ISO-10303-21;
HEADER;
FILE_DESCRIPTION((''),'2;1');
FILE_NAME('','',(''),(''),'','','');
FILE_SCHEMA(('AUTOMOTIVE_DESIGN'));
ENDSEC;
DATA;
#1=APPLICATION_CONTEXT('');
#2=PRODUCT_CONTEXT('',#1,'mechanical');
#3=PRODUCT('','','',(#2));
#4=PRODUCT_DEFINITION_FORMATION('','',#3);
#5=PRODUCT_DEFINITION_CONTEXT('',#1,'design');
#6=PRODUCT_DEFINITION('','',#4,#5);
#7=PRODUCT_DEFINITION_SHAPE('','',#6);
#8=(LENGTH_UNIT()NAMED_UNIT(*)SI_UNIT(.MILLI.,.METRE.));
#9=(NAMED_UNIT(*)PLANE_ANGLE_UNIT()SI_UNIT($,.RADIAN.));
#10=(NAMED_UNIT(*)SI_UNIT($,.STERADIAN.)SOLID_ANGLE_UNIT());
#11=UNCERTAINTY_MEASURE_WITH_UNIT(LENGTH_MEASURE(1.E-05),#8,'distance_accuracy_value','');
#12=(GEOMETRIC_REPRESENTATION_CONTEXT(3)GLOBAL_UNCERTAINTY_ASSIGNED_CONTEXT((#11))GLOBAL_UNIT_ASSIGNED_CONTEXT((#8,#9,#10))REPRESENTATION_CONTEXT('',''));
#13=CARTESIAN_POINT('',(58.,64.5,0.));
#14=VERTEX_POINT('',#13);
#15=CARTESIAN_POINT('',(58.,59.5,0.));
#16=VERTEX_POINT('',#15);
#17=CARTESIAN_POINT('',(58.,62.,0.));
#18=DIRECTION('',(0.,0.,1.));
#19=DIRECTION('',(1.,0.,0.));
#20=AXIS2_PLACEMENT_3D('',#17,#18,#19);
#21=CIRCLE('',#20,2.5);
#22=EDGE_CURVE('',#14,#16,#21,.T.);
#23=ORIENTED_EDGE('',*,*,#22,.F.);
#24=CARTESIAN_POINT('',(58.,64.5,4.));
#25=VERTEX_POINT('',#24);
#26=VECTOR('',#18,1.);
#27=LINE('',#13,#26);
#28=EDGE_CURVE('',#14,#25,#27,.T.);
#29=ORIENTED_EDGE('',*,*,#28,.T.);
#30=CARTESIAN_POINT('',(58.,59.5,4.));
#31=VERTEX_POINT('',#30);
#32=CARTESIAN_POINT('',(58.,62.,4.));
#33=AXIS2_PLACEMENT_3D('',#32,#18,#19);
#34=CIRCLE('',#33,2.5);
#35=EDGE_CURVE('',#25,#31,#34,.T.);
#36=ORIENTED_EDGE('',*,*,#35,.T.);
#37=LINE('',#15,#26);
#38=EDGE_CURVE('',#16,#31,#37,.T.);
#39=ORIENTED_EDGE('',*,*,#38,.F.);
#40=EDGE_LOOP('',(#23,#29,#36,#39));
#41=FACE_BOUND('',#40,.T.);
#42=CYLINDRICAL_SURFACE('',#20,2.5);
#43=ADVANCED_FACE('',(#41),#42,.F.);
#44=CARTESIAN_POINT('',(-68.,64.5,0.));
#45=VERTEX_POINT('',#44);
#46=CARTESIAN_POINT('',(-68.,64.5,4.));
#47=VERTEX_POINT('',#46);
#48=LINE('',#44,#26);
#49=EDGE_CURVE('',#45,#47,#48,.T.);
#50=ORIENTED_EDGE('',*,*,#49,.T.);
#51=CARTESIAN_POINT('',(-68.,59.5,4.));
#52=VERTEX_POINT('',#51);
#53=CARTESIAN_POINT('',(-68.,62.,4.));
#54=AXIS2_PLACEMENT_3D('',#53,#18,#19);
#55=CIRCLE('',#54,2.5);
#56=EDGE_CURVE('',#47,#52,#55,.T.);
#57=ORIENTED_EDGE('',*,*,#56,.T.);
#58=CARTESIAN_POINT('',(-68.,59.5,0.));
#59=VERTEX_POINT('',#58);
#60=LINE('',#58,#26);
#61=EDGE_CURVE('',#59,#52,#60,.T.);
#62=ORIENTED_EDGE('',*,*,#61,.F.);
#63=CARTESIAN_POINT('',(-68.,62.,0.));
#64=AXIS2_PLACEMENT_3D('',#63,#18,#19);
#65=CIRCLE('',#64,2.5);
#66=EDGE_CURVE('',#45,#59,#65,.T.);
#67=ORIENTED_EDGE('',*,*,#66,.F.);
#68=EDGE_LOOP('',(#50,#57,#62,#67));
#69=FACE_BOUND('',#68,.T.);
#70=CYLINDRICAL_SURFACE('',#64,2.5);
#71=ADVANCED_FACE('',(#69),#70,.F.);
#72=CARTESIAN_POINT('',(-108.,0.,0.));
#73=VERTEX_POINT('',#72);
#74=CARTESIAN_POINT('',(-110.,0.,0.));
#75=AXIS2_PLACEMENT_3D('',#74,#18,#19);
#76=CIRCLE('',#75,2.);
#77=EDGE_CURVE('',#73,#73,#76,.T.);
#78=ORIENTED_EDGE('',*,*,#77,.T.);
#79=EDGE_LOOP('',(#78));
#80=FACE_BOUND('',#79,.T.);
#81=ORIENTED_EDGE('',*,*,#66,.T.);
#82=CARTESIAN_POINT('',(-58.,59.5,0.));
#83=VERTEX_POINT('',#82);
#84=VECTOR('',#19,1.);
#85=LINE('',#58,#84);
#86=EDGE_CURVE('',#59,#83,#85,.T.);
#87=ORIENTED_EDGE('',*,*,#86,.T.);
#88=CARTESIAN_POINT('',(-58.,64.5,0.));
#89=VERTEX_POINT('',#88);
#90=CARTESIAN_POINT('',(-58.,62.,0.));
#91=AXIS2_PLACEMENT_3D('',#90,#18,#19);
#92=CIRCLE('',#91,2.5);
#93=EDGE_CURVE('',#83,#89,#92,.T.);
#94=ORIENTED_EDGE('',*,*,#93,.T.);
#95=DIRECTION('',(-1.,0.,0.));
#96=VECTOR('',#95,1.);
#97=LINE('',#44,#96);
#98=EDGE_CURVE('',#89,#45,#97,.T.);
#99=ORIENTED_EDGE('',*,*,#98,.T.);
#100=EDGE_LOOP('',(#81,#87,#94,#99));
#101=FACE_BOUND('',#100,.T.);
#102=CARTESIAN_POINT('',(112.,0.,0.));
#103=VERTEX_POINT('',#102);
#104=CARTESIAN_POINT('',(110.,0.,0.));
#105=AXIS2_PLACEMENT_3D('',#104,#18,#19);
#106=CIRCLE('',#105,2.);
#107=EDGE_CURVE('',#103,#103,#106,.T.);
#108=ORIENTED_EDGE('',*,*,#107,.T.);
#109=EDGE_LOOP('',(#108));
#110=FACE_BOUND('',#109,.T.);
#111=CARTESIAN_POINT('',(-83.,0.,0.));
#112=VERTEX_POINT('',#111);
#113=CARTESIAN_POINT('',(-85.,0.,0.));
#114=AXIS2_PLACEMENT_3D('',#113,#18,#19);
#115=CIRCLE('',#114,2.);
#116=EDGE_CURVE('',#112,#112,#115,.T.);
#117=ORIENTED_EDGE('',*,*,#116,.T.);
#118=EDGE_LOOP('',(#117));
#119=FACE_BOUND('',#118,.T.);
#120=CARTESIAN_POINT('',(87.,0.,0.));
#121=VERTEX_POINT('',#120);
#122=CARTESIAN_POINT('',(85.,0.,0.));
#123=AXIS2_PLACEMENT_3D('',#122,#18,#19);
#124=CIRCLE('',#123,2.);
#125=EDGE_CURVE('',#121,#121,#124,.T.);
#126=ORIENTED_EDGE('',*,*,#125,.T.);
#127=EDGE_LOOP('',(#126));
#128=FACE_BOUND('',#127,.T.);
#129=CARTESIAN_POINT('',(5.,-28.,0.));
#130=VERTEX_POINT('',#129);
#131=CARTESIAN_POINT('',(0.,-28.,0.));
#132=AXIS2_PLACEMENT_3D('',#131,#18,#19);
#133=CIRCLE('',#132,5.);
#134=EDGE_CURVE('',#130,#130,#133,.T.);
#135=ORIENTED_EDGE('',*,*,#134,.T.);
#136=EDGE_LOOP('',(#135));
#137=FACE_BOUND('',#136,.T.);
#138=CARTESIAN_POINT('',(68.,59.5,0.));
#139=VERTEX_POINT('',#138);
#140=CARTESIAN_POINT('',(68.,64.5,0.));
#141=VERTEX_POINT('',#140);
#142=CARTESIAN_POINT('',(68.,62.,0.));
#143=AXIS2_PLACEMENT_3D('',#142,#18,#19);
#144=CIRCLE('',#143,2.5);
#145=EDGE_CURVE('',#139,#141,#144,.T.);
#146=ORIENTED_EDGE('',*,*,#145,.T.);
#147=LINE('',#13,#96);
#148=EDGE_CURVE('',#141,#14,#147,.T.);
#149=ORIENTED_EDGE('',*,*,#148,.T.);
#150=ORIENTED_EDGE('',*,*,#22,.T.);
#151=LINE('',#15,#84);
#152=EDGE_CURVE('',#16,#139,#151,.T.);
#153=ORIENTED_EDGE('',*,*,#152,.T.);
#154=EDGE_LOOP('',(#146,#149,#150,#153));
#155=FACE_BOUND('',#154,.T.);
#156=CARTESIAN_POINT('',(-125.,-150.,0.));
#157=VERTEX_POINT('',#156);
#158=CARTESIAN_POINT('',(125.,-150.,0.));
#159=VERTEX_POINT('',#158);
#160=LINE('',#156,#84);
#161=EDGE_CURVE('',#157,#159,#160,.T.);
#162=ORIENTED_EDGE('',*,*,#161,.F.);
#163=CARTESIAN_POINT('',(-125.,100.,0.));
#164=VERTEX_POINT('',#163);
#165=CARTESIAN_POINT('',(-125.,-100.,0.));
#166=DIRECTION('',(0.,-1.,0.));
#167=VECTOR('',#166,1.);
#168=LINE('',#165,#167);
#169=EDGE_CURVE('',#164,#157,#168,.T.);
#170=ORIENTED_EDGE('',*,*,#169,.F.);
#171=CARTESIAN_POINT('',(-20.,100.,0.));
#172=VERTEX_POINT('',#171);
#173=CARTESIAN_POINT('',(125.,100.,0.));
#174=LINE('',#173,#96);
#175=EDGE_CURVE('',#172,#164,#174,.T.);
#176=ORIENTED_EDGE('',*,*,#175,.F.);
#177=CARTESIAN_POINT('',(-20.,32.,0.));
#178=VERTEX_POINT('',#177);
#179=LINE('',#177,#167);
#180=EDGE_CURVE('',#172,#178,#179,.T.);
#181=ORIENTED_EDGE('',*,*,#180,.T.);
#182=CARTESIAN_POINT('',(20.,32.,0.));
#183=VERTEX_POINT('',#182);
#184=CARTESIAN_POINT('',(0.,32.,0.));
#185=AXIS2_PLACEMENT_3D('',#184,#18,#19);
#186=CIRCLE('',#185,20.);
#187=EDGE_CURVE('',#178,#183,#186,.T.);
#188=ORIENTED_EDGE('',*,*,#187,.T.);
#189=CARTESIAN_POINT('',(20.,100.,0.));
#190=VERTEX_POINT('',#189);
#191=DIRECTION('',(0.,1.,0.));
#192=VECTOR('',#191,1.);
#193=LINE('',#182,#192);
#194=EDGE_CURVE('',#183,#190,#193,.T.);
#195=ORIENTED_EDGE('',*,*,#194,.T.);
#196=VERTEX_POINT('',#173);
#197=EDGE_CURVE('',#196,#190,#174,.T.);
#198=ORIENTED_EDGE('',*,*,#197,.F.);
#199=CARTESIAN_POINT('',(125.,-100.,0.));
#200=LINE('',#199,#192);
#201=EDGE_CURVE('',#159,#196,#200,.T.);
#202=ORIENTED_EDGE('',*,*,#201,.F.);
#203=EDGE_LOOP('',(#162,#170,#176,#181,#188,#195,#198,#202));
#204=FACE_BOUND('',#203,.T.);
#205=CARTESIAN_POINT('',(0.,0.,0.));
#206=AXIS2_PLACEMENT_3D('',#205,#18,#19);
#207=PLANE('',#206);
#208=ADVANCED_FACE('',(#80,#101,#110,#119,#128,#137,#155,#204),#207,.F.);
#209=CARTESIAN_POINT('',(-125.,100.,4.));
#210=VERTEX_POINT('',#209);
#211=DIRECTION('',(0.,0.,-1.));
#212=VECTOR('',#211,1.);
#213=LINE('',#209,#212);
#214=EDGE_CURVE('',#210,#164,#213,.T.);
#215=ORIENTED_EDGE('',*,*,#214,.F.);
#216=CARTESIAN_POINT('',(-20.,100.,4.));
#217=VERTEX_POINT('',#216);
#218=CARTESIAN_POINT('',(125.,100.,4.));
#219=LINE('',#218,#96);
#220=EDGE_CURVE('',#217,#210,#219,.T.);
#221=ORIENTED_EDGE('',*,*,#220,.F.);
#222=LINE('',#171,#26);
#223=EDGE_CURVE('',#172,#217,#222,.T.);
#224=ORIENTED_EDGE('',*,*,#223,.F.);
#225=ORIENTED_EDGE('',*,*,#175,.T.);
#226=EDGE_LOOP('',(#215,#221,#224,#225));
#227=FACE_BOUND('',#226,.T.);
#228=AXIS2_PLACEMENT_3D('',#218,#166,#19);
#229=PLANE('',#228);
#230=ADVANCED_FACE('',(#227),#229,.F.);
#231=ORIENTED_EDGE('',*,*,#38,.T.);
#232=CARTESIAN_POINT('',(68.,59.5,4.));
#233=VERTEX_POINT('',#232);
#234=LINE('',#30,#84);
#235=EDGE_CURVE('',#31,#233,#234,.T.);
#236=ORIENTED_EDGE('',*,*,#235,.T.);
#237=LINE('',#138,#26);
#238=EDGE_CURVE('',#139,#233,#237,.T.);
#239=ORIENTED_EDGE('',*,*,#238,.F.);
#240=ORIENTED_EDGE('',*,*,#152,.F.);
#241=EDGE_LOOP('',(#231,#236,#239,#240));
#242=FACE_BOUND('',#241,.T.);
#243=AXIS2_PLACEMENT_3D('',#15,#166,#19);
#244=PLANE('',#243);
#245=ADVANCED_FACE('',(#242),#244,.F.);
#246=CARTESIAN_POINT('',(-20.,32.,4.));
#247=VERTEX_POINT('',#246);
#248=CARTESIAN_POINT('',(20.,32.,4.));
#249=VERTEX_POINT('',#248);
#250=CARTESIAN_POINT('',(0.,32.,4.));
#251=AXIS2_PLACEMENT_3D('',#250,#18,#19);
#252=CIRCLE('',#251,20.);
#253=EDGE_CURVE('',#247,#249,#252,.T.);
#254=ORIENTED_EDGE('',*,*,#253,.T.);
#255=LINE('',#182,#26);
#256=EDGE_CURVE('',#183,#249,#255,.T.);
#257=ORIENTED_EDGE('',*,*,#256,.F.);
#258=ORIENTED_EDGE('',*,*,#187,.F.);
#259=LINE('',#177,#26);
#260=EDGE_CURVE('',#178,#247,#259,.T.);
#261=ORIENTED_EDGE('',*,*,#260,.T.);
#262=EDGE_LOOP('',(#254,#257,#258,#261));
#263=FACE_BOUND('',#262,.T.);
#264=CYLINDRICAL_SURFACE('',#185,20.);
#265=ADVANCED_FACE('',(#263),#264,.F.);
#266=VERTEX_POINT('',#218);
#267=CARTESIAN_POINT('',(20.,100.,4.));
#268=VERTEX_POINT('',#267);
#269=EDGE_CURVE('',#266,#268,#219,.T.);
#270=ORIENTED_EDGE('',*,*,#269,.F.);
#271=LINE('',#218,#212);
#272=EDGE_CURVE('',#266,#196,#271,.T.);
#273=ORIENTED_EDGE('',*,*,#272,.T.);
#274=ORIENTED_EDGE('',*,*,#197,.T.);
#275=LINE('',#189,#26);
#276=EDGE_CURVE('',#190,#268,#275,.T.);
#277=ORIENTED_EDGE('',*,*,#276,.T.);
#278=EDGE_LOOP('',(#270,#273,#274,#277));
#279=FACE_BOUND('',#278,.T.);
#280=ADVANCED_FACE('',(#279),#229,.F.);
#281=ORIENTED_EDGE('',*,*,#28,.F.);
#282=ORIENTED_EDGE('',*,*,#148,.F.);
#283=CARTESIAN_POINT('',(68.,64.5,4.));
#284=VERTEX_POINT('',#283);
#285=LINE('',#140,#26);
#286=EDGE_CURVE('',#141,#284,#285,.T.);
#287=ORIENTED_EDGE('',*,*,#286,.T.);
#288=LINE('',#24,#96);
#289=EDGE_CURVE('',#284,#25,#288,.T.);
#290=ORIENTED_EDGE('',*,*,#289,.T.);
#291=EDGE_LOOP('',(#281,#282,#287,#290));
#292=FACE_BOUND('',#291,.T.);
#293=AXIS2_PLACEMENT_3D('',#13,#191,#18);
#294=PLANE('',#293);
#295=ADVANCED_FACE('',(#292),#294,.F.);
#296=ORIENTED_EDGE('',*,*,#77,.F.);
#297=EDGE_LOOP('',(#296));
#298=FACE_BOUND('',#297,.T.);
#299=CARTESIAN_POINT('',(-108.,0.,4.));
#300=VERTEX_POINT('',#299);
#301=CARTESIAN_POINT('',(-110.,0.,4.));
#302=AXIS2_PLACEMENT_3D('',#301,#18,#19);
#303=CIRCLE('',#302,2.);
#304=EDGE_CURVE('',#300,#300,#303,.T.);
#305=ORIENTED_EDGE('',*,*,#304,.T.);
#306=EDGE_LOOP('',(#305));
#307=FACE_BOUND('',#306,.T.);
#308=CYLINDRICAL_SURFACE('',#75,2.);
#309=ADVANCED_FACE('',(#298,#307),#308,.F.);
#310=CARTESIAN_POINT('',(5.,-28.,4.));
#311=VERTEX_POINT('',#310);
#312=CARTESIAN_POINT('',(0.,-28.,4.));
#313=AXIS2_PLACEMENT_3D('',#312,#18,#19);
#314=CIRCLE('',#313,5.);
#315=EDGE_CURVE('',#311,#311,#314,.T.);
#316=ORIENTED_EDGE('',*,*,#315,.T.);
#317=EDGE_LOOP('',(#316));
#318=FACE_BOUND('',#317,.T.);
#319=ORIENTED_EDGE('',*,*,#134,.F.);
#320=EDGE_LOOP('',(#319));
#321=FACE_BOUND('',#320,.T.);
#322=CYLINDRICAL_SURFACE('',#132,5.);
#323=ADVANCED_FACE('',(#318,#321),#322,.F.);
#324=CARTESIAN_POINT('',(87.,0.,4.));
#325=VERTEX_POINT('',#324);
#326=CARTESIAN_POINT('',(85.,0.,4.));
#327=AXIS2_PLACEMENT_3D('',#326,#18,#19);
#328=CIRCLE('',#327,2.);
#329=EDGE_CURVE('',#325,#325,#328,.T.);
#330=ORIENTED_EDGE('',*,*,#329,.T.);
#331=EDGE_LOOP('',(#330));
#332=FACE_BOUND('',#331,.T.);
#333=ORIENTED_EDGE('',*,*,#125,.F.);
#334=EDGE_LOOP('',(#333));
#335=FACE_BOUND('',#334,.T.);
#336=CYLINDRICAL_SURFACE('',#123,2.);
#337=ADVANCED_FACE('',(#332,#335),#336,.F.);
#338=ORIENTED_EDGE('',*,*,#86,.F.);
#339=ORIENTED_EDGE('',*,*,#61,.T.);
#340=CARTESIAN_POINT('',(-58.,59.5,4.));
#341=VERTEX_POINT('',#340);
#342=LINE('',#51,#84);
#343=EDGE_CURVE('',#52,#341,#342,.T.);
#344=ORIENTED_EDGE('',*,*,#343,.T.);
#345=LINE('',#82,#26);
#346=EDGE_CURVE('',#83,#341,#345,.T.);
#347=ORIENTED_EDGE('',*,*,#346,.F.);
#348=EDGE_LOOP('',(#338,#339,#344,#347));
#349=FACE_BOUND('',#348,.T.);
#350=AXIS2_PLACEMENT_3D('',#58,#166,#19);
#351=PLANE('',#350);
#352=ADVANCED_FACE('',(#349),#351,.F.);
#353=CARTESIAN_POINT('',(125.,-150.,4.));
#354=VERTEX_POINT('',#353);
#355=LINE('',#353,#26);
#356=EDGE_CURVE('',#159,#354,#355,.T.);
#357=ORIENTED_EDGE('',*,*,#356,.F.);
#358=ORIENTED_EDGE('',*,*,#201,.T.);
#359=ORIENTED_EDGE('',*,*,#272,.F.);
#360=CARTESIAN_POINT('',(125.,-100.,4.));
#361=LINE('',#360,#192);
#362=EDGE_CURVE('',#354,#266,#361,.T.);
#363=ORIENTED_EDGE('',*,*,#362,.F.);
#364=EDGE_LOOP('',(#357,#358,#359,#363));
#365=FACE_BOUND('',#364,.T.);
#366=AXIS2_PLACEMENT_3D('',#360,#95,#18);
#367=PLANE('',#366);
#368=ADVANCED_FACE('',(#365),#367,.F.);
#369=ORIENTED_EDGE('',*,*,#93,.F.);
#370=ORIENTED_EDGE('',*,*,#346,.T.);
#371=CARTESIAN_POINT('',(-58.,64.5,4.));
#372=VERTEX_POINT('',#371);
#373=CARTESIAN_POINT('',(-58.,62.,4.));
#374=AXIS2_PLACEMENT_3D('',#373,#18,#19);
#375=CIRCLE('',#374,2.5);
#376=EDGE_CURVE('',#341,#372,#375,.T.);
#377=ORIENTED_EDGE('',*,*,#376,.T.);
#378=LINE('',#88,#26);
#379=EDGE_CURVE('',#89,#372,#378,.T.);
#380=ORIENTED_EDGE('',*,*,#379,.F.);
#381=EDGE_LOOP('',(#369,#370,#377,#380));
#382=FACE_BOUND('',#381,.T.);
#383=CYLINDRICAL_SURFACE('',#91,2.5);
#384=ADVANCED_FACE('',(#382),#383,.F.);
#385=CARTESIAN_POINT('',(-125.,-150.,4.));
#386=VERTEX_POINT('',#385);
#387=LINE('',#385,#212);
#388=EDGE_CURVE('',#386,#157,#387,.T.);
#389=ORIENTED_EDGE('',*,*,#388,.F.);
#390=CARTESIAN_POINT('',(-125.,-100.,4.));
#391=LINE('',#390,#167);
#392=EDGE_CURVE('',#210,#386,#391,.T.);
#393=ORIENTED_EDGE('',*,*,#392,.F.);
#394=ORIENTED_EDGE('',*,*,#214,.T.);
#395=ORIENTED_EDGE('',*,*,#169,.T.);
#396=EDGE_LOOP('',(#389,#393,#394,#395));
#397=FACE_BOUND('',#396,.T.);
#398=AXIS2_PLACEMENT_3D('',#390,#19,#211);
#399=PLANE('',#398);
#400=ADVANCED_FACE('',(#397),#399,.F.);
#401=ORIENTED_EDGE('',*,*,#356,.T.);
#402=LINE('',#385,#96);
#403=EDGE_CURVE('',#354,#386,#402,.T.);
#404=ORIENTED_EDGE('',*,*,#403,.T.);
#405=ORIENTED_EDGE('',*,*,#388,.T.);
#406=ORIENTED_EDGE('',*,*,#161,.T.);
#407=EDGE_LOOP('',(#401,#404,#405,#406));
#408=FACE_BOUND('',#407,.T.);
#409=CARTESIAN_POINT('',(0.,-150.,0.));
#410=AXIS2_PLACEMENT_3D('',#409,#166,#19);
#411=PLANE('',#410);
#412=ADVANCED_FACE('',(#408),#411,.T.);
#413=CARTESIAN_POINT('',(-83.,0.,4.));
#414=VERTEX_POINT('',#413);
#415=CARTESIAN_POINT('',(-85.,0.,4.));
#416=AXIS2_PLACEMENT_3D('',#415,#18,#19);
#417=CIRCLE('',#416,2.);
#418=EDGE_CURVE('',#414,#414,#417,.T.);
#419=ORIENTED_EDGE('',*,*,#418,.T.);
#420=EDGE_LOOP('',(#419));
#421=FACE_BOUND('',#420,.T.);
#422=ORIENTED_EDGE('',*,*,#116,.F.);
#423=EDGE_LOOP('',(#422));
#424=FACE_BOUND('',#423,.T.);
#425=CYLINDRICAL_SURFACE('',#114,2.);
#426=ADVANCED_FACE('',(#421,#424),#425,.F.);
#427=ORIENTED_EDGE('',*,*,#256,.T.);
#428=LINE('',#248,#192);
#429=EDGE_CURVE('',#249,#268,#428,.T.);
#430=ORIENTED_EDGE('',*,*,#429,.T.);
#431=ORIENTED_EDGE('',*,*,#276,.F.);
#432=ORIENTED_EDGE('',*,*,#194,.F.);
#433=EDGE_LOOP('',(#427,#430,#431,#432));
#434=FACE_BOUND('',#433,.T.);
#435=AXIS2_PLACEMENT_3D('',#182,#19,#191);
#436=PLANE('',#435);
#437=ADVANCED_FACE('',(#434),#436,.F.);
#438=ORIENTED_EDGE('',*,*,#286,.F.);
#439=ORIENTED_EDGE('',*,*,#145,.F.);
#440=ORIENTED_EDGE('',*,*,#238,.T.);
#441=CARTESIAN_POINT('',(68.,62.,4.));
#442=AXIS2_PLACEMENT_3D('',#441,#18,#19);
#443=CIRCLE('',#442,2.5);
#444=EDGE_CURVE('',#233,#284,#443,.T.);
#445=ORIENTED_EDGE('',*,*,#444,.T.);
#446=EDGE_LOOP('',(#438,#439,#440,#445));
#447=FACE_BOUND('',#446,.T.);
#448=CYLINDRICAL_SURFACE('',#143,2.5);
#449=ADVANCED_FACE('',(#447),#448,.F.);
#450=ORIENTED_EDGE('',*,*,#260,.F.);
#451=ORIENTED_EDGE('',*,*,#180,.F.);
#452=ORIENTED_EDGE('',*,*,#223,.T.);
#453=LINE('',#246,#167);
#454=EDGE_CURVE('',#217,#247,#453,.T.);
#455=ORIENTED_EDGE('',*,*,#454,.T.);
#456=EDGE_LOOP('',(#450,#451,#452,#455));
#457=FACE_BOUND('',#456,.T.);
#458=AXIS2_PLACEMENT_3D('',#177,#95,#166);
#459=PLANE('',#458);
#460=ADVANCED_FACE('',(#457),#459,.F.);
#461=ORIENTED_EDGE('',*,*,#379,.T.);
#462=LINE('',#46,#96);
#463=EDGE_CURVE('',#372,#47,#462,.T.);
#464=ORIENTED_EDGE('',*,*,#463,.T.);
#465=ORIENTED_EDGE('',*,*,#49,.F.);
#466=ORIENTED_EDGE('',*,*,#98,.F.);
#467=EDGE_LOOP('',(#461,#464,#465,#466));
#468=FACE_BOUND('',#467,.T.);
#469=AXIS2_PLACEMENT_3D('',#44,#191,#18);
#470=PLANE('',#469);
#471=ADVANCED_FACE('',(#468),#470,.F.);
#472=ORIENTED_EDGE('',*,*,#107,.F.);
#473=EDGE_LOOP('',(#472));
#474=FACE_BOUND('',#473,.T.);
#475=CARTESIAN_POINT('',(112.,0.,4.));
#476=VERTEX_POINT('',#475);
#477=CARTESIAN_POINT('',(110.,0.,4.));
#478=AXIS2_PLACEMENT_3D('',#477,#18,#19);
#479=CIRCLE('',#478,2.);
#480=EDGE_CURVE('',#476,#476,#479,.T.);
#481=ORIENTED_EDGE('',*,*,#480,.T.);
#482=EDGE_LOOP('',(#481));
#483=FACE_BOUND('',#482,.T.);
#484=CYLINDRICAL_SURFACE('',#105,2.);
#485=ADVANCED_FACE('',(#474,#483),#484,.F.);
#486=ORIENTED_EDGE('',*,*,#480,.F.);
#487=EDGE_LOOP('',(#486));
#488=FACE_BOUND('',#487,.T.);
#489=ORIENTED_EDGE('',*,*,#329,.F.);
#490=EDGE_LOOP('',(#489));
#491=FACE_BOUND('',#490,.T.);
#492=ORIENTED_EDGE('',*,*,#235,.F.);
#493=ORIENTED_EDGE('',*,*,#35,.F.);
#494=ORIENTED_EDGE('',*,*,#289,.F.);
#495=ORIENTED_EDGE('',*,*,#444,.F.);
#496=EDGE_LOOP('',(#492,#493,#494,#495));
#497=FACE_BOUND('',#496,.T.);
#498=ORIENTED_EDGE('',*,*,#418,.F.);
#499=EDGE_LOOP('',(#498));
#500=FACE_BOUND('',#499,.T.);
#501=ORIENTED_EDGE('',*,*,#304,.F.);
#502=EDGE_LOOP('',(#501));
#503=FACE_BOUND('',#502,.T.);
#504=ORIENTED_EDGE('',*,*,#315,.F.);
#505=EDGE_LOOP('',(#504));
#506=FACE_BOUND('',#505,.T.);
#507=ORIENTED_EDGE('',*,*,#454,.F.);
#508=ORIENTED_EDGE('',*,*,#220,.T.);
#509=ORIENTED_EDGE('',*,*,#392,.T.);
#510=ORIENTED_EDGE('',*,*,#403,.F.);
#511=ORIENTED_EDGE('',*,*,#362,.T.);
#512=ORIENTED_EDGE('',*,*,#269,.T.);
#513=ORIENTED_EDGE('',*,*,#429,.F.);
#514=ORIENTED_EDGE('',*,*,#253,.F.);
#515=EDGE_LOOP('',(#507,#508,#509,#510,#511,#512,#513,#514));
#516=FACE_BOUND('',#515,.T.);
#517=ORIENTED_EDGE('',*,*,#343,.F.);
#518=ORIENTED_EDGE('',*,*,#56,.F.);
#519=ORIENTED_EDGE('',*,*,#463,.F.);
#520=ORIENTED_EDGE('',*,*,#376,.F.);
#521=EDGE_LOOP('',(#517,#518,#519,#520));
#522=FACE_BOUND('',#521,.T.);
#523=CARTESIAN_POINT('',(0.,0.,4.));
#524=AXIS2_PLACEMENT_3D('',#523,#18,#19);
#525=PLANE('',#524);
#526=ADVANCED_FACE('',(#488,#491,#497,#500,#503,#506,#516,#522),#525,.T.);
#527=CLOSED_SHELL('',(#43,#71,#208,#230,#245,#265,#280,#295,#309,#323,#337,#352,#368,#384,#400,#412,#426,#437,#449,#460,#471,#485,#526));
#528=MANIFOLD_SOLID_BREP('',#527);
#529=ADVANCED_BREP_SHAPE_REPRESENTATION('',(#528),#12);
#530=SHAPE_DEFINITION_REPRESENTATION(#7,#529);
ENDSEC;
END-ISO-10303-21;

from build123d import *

# Parameters (mm, degrees)
SKETCH1_W           = 250
SKETCH1_H           = 200
BOSS_EXTRUDE1_DEPTH = 4
SKETCH2_R           = 2
CUT_EXTRUDE1_DEPTH  = 4
SKETCH3_R           = 5
CUT_EXTRUDE2_DEPTH  = 4
SKETCH8_W           = 250
SKETCH8_H           = 4
BOSS_EXTRUDE2_DEPTH = 50


with BuildPart() as part:
    # Sketch1 → Boss-Extrude1 (new body)
    with BuildSketch(Plane.XY):
        Rectangle(SKETCH1_W, SKETCH1_H)
    extrude(amount=BOSS_EXTRUDE1_DEPTH)

    # Sketch2 → Cut-Extrude1 (cut)
    with BuildSketch(Plane.XY.offset(4)):
        with Locations((-110, 0)):
            Circle(SKETCH2_R)
        with Locations((-85, 0)):
            Circle(SKETCH2_R)
        with Locations((110, 0)):
            Circle(SKETCH2_R)
        with Locations((85, 0)):
            Circle(SKETCH2_R)
    extrude(amount=-CUT_EXTRUDE1_DEPTH, mode=Mode.SUBTRACT)

    # Sketch3 → Cut-Extrude2 (cut)
    with BuildSketch(Plane.XY.offset(4)):
        with Locations((0, -28)):
            Circle(SKETCH3_R)
        with BuildLine():
            Line((20, 32), (20, 100))
            Line((20, 100), (-20, 100))
            Line((-20, 100), (-20, 32))
            ThreePointArc((-20, 32), (0, 12), (20, 32))
        make_face()
        with BuildLine():
            Line((-68, 64.5), (-58, 64.5))
            ThreePointArc((-58, 64.5), (-55.5, 62), (-58, 59.5))
            Line((-58, 59.5), (-68, 59.5))
            ThreePointArc((-68, 59.5), (-70.5, 62), (-68, 64.5))
        make_face()
        with BuildLine():
            Line((58, 59.5), (68, 59.5))
            ThreePointArc((68, 59.5), (70.5, 62), (68, 64.5))
            Line((68, 64.5), (58, 64.5))
            ThreePointArc((58, 64.5), (55.5, 62), (58, 59.5))
        make_face()
    extrude(amount=-CUT_EXTRUDE2_DEPTH, mode=Mode.SUBTRACT)

    # Sketch8 → Boss-Extrude2 (add)
    with BuildSketch(Plane.XZ.offset(100)):
        with Locations((0, 2)):
            Rectangle(SKETCH8_W, SKETCH8_H)
    extrude(amount=BOSS_EXTRUDE2_DEPTH)


solid = part.part
